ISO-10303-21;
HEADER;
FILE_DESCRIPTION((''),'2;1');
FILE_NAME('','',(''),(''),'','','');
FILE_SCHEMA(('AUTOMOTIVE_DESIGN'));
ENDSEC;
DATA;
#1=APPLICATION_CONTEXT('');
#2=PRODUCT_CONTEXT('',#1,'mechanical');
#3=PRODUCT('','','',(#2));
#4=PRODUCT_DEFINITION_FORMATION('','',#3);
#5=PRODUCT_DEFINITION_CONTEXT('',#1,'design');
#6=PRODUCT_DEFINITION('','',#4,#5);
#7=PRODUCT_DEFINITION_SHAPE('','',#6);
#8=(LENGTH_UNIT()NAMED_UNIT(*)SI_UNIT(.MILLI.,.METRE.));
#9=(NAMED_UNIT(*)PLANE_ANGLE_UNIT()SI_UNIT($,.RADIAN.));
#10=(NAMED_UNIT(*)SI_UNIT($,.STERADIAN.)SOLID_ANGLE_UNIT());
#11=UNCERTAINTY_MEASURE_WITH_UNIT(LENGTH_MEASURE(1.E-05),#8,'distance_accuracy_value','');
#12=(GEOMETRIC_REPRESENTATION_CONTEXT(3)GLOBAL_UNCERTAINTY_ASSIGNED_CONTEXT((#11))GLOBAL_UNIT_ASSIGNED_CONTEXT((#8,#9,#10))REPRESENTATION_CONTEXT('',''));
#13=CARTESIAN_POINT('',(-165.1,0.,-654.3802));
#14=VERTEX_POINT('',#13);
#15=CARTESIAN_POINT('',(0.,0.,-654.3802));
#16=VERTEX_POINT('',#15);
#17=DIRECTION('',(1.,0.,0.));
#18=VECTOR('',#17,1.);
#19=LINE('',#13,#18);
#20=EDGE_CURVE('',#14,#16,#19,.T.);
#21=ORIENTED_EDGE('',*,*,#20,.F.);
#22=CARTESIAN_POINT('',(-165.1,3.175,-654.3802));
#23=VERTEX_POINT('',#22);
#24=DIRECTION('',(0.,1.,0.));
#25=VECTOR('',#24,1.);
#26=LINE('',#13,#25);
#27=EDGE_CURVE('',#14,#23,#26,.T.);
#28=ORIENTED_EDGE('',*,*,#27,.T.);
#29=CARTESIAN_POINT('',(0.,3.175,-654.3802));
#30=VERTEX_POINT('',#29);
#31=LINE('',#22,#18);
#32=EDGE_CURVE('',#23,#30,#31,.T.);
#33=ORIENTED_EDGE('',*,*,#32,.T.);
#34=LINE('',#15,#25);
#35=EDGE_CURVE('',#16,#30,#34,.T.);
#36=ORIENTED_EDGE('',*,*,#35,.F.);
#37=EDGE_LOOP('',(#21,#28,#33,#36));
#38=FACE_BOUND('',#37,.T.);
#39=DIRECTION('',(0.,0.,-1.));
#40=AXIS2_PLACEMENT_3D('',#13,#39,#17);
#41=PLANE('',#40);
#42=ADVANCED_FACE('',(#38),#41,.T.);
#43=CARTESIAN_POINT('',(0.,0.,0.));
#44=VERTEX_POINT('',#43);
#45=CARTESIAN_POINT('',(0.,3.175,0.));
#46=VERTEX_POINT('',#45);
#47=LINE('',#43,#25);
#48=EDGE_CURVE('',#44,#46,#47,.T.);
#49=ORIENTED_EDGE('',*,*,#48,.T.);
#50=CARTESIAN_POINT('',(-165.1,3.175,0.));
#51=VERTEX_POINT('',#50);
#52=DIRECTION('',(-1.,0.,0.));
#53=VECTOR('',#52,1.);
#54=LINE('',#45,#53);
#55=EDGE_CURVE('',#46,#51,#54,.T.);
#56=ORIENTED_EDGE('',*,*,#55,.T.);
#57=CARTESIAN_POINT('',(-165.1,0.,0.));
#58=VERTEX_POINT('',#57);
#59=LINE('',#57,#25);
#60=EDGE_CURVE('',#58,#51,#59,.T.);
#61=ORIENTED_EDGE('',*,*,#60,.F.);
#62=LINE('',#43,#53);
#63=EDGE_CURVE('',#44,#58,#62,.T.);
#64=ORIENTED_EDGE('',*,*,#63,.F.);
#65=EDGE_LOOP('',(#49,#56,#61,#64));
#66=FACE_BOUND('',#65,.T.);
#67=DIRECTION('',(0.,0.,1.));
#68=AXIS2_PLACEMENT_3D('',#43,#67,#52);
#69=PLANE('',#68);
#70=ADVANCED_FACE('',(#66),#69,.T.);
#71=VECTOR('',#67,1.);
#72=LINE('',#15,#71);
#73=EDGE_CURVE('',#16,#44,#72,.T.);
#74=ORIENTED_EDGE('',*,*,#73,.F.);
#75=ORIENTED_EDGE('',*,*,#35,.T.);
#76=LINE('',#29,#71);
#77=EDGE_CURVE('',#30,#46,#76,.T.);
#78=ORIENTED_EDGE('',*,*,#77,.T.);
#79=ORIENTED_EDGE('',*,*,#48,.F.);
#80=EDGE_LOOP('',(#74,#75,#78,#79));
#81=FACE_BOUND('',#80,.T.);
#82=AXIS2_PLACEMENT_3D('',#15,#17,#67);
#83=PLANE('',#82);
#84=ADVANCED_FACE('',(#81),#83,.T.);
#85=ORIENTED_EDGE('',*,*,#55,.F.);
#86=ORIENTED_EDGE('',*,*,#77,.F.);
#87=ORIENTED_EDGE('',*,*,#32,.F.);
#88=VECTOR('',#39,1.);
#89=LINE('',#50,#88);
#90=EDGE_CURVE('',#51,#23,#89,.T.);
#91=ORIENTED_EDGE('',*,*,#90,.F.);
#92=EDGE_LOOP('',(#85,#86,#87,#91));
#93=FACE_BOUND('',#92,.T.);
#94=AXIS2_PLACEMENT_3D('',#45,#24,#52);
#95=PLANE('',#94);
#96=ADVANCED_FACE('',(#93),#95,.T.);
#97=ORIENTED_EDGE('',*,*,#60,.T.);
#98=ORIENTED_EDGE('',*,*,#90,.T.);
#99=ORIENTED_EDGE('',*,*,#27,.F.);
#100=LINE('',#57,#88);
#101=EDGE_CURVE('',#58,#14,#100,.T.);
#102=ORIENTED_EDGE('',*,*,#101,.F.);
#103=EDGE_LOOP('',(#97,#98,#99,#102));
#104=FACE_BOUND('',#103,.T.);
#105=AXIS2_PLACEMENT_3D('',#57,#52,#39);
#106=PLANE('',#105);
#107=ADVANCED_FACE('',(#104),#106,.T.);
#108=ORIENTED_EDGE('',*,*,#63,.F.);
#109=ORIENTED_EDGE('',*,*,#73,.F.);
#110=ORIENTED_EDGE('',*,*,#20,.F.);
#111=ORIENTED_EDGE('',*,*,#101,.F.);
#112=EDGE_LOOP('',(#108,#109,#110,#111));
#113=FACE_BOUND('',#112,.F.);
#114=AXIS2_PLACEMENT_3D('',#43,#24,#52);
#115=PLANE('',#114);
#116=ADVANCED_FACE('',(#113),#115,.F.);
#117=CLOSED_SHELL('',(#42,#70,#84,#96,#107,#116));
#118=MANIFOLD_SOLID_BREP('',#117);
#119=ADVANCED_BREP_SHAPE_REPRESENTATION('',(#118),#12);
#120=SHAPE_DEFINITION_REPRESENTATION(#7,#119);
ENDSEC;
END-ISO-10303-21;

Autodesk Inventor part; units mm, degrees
ref_plane "YZ Plane" through (0, 0, 0) normal (1, 0, 0) x (0, 1, 0)
ref_plane "XZ Plane" through (0, 0, 0) normal (0, 1, 0) x (-1, 0, 0)
ref_plane "XY Plane" through (0, 0, 0) normal (0, 0, 1) x (1, 0, 0)
sketch "Sketch1" plane through (0, 0, 0) normal (0, 1, 0) x (-1, 0, 0)
  line L0 (0, 0) -> (165.1, 0)
  line L1 (165.1, 0) -> (165.1, -654.3802)
  line L2 (165.1, -654.3802) -> (0, -654.3802)
  line L3 (0, -654.3802) -> (0, 0)
  dimension "d0" = 165.1
  dimension "d1" = 654.3802
extrude "Extrusion1" add sketch "Sketch1" along normal blind 3.175
properties part number "Starter_Shingle_With_Dimensions_6.5_x_25.763_Inches"
